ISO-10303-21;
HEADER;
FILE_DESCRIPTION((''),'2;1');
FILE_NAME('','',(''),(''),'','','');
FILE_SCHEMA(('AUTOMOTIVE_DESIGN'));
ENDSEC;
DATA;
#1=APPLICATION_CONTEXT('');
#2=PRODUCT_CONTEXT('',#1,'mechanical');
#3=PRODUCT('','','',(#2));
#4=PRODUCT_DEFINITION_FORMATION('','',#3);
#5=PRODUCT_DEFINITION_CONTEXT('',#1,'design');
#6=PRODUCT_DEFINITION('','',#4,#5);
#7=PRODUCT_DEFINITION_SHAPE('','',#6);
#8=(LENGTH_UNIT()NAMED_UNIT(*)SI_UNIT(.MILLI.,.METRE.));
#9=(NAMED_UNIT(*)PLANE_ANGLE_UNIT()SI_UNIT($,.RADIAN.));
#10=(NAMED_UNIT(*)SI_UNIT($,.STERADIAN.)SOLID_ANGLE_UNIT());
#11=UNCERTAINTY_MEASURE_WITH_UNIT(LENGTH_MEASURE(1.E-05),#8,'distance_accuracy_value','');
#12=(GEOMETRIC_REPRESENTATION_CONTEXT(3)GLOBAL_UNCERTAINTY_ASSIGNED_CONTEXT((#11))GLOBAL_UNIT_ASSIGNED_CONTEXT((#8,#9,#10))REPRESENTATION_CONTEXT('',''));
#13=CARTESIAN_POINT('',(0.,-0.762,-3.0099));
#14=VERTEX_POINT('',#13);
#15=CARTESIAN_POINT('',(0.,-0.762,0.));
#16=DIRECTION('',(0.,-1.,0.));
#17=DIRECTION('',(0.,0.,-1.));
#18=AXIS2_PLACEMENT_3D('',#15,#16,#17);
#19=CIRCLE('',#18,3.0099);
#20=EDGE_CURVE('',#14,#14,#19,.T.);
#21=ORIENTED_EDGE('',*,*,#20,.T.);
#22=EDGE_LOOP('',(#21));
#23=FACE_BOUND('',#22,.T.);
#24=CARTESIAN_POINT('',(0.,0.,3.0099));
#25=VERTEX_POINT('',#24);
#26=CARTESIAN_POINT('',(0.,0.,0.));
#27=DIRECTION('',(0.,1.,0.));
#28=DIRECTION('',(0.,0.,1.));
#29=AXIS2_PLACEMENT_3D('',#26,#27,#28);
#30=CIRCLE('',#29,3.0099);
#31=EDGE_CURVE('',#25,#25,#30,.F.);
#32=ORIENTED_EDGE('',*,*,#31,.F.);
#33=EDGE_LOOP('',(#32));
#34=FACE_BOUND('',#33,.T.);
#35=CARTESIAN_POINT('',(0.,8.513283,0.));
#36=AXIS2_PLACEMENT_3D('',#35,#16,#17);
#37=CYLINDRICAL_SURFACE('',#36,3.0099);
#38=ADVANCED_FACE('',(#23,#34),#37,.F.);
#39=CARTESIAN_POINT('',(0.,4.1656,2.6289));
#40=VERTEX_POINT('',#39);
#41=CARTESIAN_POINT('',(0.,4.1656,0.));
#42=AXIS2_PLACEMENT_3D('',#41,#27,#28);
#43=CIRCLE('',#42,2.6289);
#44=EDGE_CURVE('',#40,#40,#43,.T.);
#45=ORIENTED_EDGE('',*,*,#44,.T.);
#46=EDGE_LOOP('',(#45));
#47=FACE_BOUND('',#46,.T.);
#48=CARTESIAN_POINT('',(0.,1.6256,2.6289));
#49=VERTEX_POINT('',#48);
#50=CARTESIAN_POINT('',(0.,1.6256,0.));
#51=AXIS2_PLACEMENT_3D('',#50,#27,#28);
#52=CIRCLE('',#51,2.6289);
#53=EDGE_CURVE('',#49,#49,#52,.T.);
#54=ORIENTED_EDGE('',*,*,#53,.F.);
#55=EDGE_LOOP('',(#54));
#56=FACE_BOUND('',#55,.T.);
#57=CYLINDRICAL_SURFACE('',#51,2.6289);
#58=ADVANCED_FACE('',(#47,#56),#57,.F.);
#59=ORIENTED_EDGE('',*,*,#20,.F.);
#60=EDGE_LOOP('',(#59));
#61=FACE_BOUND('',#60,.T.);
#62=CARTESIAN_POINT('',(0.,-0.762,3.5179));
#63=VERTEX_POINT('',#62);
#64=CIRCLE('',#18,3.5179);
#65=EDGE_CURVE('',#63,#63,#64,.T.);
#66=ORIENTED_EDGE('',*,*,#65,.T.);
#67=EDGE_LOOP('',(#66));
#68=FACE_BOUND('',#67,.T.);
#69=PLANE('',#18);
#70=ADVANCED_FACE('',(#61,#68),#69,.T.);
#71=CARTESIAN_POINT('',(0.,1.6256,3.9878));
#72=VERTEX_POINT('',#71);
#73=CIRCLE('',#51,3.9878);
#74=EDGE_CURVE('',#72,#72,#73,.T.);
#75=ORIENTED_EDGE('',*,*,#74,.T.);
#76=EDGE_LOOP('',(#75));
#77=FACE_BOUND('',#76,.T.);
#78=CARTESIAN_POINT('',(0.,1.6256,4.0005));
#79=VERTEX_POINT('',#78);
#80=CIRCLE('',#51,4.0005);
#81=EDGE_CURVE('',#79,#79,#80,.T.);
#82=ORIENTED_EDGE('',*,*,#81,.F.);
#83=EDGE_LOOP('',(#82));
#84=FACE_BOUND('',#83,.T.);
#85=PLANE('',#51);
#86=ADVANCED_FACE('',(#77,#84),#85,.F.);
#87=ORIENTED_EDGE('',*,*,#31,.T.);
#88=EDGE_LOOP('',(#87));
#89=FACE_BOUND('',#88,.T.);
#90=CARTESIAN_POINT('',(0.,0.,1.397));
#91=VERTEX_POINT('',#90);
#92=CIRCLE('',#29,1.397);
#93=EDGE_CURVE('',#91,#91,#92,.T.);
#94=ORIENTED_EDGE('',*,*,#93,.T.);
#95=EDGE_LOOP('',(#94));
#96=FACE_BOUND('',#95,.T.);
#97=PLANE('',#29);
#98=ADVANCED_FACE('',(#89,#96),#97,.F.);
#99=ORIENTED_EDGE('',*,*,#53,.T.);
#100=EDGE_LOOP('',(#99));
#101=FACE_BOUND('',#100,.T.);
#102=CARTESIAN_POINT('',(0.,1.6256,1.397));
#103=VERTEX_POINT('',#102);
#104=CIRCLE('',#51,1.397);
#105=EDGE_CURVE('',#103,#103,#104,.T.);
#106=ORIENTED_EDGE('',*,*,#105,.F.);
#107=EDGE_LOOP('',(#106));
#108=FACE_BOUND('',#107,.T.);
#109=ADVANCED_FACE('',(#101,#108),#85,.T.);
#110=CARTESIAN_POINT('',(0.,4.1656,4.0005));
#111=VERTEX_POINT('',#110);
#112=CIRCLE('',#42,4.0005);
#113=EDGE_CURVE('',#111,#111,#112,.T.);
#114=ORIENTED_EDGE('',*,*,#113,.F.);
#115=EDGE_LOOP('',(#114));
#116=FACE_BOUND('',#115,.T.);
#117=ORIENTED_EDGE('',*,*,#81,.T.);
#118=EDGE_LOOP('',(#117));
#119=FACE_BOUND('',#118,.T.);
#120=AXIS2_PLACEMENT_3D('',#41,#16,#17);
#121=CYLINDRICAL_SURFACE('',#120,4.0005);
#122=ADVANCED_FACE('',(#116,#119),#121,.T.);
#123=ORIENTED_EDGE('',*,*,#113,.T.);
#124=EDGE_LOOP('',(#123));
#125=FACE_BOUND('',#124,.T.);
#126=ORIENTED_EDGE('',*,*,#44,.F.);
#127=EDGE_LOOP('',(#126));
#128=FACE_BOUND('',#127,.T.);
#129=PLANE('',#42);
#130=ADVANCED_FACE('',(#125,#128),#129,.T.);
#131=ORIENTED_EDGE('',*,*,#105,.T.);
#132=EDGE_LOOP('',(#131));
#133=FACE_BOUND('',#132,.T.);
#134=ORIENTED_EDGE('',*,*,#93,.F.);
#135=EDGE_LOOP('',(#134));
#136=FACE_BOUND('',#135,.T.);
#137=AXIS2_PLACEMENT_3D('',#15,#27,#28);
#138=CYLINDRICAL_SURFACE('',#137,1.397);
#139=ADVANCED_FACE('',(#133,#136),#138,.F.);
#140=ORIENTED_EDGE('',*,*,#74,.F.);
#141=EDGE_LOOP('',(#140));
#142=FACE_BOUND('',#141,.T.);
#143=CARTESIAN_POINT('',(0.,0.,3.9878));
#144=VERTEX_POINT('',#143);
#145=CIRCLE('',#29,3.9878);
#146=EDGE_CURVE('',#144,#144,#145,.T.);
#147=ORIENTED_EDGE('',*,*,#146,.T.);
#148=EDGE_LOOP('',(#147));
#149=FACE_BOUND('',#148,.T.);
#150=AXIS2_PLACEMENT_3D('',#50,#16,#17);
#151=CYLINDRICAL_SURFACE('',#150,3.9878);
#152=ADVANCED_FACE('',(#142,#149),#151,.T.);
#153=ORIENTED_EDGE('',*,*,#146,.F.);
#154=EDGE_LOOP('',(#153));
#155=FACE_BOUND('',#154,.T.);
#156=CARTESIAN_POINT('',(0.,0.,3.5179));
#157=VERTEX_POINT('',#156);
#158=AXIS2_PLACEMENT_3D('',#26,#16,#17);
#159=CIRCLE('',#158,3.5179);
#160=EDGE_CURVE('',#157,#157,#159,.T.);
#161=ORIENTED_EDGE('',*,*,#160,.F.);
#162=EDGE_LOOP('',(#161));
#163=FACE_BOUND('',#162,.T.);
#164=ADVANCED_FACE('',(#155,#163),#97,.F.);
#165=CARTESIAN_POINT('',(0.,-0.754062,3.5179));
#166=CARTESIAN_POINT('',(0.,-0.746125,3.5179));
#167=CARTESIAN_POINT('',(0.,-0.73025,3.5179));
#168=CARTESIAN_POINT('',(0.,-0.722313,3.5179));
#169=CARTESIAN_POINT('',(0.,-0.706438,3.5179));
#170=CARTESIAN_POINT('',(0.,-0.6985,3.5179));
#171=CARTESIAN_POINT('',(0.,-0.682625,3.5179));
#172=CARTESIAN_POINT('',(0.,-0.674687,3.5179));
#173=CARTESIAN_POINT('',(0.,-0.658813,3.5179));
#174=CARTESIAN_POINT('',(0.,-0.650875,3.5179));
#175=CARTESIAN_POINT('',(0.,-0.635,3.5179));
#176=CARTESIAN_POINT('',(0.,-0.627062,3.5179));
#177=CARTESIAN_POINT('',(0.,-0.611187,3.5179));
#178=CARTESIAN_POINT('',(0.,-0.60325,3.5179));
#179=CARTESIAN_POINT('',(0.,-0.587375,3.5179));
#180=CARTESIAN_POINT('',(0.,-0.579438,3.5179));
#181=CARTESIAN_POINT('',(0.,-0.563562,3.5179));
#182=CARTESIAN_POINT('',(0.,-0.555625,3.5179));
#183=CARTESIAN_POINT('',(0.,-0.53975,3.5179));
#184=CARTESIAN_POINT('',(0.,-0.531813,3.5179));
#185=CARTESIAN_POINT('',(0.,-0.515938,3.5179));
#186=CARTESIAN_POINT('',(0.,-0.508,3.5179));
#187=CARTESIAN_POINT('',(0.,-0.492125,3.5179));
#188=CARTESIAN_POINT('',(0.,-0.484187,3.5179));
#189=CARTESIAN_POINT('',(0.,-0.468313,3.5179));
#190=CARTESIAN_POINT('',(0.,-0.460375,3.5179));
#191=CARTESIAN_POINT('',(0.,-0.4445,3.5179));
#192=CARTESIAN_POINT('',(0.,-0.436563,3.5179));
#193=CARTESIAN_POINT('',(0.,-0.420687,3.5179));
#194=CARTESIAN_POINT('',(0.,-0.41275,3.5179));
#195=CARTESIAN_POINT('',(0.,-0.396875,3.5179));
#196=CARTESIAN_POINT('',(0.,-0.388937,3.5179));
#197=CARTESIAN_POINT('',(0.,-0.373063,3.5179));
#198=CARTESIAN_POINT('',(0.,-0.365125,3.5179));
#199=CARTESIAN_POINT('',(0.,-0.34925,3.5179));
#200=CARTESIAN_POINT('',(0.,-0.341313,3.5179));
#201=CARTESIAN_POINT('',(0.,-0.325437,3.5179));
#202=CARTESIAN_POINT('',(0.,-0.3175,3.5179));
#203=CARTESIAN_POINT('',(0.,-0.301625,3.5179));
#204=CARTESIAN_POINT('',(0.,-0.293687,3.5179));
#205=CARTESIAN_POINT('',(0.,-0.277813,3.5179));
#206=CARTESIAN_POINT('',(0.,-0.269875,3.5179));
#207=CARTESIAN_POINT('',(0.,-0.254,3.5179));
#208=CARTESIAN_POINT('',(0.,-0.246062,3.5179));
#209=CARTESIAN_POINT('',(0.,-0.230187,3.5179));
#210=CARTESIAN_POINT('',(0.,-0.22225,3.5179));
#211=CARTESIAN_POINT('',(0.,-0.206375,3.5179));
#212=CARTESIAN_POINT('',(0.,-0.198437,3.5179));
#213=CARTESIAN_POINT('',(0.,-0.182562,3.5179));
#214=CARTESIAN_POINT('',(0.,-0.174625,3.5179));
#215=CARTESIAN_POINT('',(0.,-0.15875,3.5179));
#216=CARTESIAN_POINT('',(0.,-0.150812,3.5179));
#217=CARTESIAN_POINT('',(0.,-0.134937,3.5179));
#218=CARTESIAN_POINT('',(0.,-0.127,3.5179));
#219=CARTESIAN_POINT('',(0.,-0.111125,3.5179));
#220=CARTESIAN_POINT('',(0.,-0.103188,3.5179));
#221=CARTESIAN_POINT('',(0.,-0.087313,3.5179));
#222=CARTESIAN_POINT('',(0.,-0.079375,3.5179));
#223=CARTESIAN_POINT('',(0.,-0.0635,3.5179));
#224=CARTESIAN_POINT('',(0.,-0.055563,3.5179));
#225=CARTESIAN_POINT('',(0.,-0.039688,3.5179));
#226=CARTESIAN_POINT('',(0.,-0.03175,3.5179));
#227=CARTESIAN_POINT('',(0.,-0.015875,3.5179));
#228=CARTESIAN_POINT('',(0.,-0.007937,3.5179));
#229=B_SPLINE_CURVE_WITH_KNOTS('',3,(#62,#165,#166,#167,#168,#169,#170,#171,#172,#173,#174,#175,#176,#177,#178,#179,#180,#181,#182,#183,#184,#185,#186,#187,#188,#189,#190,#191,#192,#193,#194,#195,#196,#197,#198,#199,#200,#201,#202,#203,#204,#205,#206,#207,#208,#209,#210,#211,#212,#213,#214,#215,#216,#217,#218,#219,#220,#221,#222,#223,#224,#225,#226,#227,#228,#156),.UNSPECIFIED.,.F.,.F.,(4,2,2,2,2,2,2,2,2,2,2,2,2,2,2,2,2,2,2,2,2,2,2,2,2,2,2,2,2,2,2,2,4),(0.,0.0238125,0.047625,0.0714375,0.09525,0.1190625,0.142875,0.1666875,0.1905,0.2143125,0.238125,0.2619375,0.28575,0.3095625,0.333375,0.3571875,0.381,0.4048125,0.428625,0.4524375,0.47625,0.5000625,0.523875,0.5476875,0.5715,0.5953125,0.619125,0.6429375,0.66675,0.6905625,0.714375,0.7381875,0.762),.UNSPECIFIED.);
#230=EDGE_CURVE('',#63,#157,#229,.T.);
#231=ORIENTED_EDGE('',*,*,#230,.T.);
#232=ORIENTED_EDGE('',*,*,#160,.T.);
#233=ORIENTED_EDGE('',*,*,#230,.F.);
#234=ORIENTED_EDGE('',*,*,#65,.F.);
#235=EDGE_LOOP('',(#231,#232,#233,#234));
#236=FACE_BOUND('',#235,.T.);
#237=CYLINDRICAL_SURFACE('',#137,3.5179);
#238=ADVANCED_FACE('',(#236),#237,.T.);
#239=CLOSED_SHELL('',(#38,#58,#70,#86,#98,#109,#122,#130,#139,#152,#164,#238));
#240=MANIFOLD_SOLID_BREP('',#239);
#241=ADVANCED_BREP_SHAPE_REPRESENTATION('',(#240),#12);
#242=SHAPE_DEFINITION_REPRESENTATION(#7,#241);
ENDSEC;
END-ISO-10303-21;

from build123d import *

# Parameters (mm, degrees)
SKETCH1_R           = 3.9878
BOSS_EXTRUDE1_DEPTH = 1.6256
SKETCH2_R           = 4.0005
BOSS_EXTRUDE2_DEPTH = 2.54
SKETCH3_R           = 3.5179
BOSS_EXTRUDE3_DEPTH = 0.762
SKETCH4_R           = 3.0099
CUT_EXTRUDE1_DEPTH  = 0.762
SKETCH5_R           = 2.6289
CUT_EXTRUDE2_DEPTH  = 2.54
SKETCH6_R           = 1.397
CUT_EXTRUDE3_DEPTH  = 7.201580484


with BuildPart() as part:
    # Sketch1 → Boss-Extrude1 (new body)
    with BuildSketch(Plane(origin=(0, 0, 0), x_dir=(1, 0, 0), z_dir=(0, 1, 0))):
        with Locations(Location((0, 0, 0), (0, 0, 270))):
            Circle(SKETCH1_R)
    extrude(amount=BOSS_EXTRUDE1_DEPTH)

    # Sketch2 → Boss-Extrude2 (add)
    with BuildSketch(Plane(origin=(0, 1.6256, 0), x_dir=(1, 0, 0), z_dir=(0, 1, 0))):
        with Locations(Location((0, 0, 0), (0, 0, 270))):
            Circle(SKETCH2_R)
    extrude(amount=BOSS_EXTRUDE2_DEPTH)

    # Sketch3 → Boss-Extrude3 (add)
    with BuildSketch(Plane.XZ):
        with Locations(Location((0, 0, 0), (0, 0, 90))):
            Circle(SKETCH3_R)
    extrude(amount=BOSS_EXTRUDE3_DEPTH)

    # Sketch4 → Cut-Extrude1 (cut)
    with BuildSketch(Plane.XZ.offset(0.762)):
        with Locations(Location((0, 0, 0), (0, 0, 270))):
            Circle(SKETCH4_R)
    extrude(amount=-CUT_EXTRUDE1_DEPTH, mode=Mode.SUBTRACT)

    # Sketch5 → Cut-Extrude2 (cut)
    with BuildSketch(Plane(origin=(0, 4.1656, 0), x_dir=(1, 0, 0), z_dir=(0, 1, 0))):
        with Locations(Location((0, 0, 0), (0, 0, 270))):
            Circle(SKETCH5_R)
    extrude(amount=-CUT_EXTRUDE2_DEPTH, mode=Mode.SUBTRACT)

    # Sketch6 → Cut-Extrude3 (cut, through all)
    with BuildSketch(Plane(origin=(0, 1.6256, 0), x_dir=(1, 0, 0), z_dir=(0, 1, 0))):
        with Locations(Location((0, 0, 0), (0, 0, 270))):
            Circle(SKETCH6_R)
    extrude(amount=-CUT_EXTRUDE3_DEPTH, mode=Mode.SUBTRACT)


solid = part.part
